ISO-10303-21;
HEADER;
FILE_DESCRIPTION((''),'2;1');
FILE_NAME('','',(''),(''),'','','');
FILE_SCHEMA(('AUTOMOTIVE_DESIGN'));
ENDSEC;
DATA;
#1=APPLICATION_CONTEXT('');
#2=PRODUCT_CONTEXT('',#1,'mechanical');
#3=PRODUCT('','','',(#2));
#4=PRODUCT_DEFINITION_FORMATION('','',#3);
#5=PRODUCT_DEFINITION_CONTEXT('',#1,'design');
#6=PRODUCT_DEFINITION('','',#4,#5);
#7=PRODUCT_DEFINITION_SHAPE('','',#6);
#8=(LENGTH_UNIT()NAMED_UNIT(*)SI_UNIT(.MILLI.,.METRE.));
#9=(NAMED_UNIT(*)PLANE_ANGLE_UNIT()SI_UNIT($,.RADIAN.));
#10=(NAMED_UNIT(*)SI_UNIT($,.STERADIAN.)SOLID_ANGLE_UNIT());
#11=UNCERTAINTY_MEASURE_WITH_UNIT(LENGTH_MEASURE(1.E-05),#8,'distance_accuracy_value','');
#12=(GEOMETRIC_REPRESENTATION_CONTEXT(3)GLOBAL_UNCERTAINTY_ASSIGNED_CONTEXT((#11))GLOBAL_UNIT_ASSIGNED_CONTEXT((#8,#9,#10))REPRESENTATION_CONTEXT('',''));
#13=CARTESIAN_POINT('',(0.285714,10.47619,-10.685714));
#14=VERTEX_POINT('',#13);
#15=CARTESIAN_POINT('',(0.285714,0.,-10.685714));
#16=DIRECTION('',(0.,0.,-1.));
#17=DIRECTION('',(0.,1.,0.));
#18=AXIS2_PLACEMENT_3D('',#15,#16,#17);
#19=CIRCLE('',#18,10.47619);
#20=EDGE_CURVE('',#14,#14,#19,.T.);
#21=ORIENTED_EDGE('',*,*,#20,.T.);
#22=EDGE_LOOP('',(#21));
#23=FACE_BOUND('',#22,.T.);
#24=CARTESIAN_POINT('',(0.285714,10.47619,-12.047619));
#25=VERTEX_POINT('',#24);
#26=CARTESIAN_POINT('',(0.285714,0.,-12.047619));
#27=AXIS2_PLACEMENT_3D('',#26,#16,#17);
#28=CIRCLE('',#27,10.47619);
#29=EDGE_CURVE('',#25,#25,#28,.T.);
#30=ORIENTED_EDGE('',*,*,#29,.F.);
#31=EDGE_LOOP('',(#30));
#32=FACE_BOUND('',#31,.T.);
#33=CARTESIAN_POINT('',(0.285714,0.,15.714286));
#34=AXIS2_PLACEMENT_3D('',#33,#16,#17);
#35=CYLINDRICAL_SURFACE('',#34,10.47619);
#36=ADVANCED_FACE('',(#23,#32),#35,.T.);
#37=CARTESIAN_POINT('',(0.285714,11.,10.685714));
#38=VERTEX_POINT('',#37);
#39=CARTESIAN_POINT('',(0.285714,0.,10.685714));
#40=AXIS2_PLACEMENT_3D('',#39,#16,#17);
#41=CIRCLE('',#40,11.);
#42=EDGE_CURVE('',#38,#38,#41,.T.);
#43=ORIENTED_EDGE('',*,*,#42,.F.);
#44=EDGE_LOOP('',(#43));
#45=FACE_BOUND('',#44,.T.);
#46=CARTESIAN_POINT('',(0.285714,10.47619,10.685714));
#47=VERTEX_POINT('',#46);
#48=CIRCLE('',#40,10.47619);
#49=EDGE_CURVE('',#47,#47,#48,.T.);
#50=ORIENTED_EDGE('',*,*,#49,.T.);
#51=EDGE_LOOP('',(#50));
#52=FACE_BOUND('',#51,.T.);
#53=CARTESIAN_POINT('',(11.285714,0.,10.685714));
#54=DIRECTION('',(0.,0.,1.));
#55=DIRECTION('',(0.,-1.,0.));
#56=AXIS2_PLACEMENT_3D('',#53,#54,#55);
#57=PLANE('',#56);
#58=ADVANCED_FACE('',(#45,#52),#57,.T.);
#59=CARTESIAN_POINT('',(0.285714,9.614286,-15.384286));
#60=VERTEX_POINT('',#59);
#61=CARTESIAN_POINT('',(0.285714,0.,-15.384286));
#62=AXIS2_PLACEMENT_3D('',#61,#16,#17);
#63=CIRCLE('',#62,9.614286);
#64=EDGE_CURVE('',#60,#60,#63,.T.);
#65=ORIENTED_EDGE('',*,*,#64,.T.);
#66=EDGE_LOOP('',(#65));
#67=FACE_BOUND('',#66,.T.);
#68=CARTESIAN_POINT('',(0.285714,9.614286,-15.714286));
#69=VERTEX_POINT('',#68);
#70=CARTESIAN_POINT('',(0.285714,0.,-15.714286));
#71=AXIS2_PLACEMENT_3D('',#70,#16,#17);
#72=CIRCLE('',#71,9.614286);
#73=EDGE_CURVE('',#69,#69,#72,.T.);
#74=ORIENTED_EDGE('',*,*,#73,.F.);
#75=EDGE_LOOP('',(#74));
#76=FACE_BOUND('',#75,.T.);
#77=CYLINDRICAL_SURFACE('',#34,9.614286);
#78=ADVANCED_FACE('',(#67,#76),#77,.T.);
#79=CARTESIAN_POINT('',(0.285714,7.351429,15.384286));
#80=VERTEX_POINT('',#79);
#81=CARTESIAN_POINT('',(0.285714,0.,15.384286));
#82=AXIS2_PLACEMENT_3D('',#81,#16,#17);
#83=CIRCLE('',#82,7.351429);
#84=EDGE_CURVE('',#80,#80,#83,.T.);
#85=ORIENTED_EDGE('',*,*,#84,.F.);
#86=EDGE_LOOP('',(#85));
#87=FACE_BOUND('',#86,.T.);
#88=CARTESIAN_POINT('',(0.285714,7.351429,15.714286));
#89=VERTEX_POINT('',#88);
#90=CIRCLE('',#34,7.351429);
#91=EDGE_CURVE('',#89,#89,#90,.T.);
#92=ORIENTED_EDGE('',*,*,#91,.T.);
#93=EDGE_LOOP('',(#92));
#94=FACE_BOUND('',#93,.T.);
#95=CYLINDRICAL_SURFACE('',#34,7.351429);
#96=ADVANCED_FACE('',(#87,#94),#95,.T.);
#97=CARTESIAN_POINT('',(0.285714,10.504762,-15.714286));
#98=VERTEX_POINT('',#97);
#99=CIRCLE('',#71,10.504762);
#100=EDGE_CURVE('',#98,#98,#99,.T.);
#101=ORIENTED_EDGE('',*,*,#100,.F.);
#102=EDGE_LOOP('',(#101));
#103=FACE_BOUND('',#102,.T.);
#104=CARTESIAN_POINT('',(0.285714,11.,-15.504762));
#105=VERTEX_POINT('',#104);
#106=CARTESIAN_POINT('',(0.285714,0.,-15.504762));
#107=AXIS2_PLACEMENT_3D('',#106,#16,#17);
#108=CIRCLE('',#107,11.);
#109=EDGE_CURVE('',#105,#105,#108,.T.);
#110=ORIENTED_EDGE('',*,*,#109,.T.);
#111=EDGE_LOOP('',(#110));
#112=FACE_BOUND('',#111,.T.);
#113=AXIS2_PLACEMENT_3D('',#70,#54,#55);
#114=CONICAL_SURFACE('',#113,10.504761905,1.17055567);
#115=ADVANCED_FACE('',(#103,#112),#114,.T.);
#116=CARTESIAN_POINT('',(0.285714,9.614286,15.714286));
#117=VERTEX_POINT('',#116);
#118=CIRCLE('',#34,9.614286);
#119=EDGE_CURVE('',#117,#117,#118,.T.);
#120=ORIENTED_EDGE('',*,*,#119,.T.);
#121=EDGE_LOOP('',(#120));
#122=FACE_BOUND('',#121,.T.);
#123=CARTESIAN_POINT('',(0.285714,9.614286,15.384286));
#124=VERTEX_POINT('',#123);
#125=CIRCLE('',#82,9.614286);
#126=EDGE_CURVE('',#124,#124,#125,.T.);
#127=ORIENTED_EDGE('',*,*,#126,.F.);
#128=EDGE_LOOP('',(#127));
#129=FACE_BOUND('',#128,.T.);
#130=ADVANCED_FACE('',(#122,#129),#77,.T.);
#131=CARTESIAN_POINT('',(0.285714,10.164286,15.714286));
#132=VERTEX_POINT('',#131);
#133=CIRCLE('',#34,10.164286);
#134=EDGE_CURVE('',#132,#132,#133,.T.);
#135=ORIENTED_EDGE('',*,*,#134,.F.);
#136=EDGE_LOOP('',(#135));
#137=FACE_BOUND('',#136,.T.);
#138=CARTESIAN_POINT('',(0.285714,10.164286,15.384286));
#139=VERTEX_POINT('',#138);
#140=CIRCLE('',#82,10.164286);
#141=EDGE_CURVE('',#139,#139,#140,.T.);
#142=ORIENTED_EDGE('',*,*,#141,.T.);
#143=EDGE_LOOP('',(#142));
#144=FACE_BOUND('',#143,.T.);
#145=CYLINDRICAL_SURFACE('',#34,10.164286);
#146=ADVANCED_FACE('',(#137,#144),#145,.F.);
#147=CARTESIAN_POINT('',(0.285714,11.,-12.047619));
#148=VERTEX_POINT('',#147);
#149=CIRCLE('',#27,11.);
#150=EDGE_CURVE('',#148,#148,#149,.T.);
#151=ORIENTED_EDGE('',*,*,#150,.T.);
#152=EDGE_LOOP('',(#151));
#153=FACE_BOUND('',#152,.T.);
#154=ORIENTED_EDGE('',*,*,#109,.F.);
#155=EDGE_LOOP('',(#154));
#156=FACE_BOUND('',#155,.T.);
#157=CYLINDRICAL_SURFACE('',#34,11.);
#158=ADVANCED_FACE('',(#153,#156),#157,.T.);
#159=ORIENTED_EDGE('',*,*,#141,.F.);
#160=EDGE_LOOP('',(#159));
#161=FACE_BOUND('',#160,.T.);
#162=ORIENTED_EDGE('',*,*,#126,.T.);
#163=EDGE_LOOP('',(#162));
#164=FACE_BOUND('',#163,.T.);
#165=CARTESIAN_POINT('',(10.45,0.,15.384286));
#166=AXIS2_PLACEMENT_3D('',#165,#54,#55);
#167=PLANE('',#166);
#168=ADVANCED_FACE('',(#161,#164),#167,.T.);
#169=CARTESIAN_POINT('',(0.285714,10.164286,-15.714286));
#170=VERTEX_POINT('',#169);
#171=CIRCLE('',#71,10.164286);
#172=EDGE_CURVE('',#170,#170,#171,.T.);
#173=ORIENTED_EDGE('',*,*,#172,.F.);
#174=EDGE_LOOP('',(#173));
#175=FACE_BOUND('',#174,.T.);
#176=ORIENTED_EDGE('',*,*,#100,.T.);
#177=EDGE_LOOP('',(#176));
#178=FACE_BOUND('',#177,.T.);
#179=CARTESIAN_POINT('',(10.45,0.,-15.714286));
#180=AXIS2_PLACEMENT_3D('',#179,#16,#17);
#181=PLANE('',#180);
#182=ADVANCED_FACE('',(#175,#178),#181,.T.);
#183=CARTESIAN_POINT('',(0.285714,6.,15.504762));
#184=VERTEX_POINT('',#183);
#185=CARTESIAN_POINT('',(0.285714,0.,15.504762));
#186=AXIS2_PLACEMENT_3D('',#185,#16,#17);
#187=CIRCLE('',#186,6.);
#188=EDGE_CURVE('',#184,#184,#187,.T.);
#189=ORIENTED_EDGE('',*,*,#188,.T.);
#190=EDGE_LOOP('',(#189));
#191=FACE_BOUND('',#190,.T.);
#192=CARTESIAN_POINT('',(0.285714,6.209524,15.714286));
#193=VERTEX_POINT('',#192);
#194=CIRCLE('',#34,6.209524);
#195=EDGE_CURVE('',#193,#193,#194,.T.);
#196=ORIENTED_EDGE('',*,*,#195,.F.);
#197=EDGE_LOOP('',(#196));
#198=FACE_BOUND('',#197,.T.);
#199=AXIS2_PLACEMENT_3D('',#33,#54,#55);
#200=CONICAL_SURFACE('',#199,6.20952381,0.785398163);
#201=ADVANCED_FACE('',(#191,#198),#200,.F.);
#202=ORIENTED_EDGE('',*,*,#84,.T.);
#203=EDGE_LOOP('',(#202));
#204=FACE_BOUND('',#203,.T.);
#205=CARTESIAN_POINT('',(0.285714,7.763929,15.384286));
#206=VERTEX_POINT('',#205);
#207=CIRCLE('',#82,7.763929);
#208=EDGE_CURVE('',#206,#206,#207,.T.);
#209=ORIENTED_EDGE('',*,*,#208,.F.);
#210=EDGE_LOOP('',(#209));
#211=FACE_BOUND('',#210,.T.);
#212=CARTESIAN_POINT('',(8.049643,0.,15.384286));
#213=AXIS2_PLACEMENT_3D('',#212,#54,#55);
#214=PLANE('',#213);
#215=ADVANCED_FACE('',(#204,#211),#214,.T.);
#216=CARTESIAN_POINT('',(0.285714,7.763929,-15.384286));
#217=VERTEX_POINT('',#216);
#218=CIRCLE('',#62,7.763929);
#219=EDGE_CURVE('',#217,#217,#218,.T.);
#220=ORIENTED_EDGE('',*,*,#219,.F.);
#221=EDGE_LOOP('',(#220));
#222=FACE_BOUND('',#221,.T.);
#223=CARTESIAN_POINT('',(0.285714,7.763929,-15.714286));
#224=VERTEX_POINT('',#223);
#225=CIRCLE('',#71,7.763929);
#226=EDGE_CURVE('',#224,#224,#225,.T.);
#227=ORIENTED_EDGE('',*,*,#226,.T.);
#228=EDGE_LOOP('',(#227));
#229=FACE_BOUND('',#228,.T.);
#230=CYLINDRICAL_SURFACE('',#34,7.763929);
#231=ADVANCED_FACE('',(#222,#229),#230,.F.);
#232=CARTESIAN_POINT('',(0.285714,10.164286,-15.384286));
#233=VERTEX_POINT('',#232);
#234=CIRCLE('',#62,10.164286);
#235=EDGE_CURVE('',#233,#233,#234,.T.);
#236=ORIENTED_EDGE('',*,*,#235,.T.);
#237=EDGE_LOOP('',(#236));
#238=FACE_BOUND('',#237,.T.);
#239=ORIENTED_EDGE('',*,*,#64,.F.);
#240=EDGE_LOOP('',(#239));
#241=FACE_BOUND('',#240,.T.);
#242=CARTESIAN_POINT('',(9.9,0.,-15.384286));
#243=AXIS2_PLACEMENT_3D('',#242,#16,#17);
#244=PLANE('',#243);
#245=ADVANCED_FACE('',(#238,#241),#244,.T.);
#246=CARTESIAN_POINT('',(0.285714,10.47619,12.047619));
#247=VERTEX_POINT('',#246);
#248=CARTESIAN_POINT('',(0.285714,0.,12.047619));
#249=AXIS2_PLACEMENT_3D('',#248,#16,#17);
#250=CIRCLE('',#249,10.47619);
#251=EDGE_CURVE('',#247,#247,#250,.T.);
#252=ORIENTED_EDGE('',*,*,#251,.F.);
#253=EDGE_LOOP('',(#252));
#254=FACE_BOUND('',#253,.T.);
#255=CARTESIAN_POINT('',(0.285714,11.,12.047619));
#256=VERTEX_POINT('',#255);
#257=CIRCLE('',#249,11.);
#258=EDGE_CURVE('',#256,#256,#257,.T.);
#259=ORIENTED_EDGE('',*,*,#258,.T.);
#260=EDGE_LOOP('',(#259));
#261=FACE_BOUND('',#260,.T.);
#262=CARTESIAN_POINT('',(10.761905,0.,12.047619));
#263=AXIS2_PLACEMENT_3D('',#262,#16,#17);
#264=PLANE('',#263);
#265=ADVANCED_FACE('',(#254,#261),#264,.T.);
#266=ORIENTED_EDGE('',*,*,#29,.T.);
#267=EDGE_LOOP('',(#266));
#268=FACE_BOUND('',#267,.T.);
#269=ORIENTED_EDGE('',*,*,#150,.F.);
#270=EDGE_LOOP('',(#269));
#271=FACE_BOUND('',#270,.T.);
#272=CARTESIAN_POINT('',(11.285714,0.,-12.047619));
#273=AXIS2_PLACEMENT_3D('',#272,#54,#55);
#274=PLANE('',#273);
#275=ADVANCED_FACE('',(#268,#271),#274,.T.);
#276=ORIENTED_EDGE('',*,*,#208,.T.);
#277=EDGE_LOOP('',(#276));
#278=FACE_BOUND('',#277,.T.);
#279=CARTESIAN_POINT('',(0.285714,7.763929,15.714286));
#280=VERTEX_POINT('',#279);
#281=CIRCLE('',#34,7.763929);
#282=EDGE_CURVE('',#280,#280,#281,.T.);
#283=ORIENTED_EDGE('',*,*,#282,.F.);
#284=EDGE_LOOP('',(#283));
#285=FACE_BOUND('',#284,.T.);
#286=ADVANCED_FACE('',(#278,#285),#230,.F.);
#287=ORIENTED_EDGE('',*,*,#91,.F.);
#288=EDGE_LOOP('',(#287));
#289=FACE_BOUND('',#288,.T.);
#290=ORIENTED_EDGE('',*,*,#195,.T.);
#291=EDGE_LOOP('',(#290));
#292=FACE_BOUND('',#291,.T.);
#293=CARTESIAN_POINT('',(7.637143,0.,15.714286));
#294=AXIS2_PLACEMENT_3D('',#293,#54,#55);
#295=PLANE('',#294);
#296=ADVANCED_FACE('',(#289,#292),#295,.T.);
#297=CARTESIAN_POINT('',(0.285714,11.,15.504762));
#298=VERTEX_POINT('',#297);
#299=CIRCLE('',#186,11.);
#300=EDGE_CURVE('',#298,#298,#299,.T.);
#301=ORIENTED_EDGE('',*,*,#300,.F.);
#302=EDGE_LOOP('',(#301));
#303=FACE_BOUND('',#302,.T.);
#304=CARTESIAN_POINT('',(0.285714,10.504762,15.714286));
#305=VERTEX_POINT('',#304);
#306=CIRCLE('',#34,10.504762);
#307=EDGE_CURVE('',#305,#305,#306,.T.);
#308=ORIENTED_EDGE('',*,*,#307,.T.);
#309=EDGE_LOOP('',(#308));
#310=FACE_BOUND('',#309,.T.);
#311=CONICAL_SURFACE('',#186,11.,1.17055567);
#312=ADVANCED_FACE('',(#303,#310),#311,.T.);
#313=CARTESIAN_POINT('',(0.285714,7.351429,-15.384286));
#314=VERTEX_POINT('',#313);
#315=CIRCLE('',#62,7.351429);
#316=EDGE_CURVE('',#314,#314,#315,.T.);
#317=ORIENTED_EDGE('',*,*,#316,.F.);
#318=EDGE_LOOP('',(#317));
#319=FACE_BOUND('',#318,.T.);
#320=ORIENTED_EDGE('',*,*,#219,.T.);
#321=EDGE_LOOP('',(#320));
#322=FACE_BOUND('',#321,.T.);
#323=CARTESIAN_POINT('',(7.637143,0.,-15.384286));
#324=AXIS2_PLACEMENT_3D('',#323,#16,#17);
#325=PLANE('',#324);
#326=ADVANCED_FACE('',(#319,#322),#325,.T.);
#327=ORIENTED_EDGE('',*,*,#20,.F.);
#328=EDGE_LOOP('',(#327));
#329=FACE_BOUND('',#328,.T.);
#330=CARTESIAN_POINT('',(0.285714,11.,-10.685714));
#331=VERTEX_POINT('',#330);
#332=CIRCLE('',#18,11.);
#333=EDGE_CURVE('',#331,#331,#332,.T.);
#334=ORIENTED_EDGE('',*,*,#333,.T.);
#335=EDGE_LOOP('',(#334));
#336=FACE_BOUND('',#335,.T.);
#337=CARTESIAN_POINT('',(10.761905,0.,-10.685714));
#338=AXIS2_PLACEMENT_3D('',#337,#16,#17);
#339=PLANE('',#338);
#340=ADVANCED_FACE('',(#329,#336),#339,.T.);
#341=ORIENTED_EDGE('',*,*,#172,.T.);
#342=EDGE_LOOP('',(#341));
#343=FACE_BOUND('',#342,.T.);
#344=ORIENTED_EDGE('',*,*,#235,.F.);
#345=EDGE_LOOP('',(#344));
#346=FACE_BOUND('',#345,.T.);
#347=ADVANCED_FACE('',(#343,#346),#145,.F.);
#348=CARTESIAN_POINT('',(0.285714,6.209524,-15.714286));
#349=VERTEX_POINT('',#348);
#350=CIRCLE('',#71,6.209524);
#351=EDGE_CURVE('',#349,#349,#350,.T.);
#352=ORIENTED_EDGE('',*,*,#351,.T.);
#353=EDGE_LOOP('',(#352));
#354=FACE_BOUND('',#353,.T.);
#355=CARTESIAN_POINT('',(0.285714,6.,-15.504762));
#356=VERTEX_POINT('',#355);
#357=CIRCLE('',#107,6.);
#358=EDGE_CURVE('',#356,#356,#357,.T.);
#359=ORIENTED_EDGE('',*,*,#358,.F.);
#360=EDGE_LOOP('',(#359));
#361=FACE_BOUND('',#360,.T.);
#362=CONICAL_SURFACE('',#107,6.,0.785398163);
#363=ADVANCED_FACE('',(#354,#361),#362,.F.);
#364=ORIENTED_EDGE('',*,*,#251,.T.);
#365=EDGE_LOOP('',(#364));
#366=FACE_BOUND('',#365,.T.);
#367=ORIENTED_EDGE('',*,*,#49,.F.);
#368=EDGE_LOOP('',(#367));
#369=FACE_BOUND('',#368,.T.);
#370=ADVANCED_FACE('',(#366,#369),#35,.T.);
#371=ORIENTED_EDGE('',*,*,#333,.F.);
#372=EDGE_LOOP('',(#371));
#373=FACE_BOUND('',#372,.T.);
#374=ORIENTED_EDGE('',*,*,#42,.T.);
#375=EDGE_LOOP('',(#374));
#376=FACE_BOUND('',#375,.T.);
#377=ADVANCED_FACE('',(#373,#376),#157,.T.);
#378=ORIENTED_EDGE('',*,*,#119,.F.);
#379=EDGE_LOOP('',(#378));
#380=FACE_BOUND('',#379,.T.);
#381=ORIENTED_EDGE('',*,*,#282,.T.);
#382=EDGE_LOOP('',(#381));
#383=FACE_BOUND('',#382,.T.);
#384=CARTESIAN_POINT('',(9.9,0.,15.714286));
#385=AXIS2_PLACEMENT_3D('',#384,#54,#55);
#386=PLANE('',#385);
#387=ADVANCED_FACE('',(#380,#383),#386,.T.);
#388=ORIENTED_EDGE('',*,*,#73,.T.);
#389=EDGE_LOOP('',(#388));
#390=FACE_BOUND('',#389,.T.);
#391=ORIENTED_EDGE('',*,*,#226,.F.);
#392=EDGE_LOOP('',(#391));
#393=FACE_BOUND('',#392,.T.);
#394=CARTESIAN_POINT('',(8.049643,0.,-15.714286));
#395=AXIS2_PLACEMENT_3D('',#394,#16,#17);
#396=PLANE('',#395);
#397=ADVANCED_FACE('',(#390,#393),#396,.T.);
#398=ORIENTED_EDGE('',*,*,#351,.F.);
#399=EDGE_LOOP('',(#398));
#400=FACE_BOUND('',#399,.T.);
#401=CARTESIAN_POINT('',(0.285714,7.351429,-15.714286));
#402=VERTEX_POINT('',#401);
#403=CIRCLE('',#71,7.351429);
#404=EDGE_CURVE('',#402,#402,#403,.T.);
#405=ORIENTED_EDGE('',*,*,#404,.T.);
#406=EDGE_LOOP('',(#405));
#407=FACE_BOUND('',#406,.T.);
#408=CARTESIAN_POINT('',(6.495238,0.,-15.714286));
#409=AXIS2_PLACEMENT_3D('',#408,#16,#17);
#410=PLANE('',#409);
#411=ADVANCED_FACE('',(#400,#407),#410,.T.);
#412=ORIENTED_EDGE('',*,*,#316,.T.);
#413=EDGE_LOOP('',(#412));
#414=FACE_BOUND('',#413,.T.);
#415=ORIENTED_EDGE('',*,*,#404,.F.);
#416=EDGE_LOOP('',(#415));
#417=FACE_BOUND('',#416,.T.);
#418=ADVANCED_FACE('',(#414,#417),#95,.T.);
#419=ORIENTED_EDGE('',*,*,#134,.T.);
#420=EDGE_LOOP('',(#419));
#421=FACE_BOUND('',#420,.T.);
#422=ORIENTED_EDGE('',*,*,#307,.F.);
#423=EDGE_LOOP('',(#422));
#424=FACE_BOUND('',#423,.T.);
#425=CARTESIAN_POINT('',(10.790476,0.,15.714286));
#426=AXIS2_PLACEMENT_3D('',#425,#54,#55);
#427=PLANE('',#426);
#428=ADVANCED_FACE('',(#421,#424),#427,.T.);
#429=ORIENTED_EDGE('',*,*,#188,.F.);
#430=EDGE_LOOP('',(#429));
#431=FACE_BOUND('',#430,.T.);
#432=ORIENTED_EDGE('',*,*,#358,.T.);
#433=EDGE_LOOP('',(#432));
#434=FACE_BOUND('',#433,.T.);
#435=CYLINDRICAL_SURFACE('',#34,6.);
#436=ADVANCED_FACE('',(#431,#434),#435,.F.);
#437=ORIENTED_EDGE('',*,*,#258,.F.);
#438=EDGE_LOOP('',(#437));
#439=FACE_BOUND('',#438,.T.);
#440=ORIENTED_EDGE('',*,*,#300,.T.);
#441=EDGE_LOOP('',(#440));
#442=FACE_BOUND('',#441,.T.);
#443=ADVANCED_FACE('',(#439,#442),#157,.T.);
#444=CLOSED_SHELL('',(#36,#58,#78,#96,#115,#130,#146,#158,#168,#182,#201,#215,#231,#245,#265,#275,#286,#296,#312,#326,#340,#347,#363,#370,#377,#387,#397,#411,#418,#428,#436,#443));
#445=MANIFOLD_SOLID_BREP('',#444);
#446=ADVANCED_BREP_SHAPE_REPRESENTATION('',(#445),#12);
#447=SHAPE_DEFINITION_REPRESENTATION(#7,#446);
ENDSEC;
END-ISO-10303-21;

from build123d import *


with BuildPart() as part:
    # Sketch1 → Revolve1 (revolve)
    with BuildSketch(Plane.XZ, mode=Mode.PRIVATE) as revolve1_sk:
        Polygon((6.495238095, 15.714285714), (6.285714286, 15.504761905), (6.285714286, -15.504761905), (6.495238095, -15.714285714), (7.637142857, -15.714285714), (7.637142857, -15.384285714), (8.049642857, -15.384285714), (8.049642857, -15.714285714), (9.9, -15.714285714), (9.9, -15.384285714), (10.45, -15.384285714), (10.45, -15.714285714), (10.79047619, -15.714285714), (11.285714286, -15.504761905), (11.285714286, -12.047619048), (10.761904762, -12.047619048), (10.761904762, -10.685714286), (11.285714286, -10.685714286), (11.285714286, 10.685714286), (10.761904762, 10.685714286), (10.761904762, 12.047619048), (11.285714286, 12.047619048), (11.285714286, 15.504761905), (10.79047619, 15.714285714), (10.45, 15.714285714), (10.45, 15.384285714), (9.9, 15.384285714), (9.9, 15.714285714), (8.049642857, 15.714285714), (8.049642857, 15.384285714), (7.637142857, 15.384285714), (7.637142857, 15.714285714), align=None)
    revolve(revolve1_sk.sketch.rotate(Axis((0.285714286, 0, 15.714285714), (0, 0, -1)), 270), axis=Axis((0.285714286, 0, 15.714285714), (0, 0, -1)))


solid = part.part
